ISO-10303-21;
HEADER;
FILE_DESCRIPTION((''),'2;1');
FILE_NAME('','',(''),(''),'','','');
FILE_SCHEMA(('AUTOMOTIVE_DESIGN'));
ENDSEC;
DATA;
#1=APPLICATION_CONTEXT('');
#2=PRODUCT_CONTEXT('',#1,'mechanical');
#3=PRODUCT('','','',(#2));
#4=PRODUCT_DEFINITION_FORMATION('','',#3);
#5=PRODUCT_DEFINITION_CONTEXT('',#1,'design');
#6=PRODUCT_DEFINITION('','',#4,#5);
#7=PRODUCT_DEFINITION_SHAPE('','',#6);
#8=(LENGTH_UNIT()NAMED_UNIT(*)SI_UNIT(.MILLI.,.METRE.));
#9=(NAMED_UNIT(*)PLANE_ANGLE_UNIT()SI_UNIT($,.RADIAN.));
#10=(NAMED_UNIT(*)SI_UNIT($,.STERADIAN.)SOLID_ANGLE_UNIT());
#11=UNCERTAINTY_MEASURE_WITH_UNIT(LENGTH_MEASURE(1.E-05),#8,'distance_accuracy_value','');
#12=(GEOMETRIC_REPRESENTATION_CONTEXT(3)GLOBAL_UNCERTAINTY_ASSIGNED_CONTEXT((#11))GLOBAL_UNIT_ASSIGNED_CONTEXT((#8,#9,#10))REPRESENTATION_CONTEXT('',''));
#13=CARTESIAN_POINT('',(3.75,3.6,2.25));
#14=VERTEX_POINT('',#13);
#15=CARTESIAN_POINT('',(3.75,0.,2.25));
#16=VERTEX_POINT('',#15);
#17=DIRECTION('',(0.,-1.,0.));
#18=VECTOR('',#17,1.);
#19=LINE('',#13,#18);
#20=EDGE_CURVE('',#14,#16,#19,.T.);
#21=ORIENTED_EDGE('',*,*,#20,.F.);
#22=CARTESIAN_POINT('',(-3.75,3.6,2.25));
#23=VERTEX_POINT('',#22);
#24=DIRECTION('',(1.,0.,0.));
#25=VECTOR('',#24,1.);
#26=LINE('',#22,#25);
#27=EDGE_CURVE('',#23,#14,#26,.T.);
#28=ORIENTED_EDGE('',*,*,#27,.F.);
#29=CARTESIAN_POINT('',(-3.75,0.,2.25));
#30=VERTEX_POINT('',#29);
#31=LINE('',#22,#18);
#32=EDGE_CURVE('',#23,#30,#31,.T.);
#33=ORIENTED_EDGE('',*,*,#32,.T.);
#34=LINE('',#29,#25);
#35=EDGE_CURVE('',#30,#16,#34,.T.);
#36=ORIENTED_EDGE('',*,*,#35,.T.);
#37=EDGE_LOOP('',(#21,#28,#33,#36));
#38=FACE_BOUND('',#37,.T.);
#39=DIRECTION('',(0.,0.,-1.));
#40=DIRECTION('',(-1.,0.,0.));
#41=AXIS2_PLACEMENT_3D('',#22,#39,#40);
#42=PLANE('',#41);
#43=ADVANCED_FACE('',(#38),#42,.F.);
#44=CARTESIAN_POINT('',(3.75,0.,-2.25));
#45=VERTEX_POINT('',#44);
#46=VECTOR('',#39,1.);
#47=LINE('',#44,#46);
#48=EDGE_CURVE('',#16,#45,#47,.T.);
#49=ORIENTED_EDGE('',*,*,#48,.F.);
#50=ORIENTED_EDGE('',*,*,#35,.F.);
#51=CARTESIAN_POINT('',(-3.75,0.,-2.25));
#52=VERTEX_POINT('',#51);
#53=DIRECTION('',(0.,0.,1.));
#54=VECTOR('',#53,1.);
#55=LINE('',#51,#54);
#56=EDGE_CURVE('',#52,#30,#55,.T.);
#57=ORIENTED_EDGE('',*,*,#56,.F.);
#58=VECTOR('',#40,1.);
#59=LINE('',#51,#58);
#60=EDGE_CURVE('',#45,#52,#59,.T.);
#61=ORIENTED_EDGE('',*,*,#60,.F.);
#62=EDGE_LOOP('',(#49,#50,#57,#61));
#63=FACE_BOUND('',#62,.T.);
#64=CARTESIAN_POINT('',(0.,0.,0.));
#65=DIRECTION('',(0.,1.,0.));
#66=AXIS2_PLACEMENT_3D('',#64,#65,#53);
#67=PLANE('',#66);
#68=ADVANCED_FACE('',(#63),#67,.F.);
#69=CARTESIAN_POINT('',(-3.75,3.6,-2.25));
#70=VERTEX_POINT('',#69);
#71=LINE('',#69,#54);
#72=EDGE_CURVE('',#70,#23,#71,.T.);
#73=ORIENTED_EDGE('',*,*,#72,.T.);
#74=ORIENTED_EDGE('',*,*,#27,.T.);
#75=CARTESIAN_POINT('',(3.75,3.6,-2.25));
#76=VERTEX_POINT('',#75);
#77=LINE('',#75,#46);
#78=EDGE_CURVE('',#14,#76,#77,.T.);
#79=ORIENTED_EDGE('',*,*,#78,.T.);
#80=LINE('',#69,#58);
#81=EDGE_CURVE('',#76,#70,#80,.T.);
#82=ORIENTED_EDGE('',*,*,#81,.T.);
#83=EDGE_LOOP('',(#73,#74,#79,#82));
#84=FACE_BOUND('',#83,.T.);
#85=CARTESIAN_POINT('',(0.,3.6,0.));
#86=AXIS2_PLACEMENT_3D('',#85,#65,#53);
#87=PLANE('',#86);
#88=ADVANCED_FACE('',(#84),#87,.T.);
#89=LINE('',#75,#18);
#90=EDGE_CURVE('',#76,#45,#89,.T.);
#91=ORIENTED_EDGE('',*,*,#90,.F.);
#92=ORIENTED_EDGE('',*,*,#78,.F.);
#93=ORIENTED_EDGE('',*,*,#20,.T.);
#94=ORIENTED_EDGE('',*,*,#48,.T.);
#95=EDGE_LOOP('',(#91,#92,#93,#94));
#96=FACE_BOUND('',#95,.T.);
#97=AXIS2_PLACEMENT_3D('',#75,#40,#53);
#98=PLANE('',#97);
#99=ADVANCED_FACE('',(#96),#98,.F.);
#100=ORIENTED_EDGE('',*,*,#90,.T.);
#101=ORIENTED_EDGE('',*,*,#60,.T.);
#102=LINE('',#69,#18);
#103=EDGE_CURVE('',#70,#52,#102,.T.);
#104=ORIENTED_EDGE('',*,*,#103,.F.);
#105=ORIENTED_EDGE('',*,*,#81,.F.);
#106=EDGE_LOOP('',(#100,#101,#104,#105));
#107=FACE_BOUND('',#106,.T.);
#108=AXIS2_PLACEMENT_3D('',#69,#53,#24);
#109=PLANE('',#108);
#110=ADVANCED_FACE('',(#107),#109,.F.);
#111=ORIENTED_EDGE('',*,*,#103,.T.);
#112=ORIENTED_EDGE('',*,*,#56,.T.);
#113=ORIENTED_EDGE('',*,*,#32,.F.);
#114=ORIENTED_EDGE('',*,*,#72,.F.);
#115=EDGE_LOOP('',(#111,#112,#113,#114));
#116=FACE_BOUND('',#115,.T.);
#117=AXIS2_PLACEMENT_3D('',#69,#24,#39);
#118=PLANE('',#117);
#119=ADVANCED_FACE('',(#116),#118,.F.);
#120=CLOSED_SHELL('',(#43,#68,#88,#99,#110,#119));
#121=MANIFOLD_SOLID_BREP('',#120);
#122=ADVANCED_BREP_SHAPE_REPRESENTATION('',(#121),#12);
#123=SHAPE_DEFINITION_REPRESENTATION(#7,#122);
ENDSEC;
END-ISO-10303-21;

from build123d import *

# Parameters (mm, degrees)
SKETCH1_W           = 7.5
SKETCH1_H           = 4.5
BOSS_EXTRUDE1_DEPTH = 3.6


with BuildPart() as part:
    # Sketch1 → Boss-Extrude1 (new body)
    with BuildSketch(Plane(origin=(0, 0, 0), x_dir=(1, 0, 0), z_dir=(0, 1, 0))):
        Rectangle(SKETCH1_W, SKETCH1_H)
    extrude(amount=BOSS_EXTRUDE1_DEPTH)


solid = part.part
